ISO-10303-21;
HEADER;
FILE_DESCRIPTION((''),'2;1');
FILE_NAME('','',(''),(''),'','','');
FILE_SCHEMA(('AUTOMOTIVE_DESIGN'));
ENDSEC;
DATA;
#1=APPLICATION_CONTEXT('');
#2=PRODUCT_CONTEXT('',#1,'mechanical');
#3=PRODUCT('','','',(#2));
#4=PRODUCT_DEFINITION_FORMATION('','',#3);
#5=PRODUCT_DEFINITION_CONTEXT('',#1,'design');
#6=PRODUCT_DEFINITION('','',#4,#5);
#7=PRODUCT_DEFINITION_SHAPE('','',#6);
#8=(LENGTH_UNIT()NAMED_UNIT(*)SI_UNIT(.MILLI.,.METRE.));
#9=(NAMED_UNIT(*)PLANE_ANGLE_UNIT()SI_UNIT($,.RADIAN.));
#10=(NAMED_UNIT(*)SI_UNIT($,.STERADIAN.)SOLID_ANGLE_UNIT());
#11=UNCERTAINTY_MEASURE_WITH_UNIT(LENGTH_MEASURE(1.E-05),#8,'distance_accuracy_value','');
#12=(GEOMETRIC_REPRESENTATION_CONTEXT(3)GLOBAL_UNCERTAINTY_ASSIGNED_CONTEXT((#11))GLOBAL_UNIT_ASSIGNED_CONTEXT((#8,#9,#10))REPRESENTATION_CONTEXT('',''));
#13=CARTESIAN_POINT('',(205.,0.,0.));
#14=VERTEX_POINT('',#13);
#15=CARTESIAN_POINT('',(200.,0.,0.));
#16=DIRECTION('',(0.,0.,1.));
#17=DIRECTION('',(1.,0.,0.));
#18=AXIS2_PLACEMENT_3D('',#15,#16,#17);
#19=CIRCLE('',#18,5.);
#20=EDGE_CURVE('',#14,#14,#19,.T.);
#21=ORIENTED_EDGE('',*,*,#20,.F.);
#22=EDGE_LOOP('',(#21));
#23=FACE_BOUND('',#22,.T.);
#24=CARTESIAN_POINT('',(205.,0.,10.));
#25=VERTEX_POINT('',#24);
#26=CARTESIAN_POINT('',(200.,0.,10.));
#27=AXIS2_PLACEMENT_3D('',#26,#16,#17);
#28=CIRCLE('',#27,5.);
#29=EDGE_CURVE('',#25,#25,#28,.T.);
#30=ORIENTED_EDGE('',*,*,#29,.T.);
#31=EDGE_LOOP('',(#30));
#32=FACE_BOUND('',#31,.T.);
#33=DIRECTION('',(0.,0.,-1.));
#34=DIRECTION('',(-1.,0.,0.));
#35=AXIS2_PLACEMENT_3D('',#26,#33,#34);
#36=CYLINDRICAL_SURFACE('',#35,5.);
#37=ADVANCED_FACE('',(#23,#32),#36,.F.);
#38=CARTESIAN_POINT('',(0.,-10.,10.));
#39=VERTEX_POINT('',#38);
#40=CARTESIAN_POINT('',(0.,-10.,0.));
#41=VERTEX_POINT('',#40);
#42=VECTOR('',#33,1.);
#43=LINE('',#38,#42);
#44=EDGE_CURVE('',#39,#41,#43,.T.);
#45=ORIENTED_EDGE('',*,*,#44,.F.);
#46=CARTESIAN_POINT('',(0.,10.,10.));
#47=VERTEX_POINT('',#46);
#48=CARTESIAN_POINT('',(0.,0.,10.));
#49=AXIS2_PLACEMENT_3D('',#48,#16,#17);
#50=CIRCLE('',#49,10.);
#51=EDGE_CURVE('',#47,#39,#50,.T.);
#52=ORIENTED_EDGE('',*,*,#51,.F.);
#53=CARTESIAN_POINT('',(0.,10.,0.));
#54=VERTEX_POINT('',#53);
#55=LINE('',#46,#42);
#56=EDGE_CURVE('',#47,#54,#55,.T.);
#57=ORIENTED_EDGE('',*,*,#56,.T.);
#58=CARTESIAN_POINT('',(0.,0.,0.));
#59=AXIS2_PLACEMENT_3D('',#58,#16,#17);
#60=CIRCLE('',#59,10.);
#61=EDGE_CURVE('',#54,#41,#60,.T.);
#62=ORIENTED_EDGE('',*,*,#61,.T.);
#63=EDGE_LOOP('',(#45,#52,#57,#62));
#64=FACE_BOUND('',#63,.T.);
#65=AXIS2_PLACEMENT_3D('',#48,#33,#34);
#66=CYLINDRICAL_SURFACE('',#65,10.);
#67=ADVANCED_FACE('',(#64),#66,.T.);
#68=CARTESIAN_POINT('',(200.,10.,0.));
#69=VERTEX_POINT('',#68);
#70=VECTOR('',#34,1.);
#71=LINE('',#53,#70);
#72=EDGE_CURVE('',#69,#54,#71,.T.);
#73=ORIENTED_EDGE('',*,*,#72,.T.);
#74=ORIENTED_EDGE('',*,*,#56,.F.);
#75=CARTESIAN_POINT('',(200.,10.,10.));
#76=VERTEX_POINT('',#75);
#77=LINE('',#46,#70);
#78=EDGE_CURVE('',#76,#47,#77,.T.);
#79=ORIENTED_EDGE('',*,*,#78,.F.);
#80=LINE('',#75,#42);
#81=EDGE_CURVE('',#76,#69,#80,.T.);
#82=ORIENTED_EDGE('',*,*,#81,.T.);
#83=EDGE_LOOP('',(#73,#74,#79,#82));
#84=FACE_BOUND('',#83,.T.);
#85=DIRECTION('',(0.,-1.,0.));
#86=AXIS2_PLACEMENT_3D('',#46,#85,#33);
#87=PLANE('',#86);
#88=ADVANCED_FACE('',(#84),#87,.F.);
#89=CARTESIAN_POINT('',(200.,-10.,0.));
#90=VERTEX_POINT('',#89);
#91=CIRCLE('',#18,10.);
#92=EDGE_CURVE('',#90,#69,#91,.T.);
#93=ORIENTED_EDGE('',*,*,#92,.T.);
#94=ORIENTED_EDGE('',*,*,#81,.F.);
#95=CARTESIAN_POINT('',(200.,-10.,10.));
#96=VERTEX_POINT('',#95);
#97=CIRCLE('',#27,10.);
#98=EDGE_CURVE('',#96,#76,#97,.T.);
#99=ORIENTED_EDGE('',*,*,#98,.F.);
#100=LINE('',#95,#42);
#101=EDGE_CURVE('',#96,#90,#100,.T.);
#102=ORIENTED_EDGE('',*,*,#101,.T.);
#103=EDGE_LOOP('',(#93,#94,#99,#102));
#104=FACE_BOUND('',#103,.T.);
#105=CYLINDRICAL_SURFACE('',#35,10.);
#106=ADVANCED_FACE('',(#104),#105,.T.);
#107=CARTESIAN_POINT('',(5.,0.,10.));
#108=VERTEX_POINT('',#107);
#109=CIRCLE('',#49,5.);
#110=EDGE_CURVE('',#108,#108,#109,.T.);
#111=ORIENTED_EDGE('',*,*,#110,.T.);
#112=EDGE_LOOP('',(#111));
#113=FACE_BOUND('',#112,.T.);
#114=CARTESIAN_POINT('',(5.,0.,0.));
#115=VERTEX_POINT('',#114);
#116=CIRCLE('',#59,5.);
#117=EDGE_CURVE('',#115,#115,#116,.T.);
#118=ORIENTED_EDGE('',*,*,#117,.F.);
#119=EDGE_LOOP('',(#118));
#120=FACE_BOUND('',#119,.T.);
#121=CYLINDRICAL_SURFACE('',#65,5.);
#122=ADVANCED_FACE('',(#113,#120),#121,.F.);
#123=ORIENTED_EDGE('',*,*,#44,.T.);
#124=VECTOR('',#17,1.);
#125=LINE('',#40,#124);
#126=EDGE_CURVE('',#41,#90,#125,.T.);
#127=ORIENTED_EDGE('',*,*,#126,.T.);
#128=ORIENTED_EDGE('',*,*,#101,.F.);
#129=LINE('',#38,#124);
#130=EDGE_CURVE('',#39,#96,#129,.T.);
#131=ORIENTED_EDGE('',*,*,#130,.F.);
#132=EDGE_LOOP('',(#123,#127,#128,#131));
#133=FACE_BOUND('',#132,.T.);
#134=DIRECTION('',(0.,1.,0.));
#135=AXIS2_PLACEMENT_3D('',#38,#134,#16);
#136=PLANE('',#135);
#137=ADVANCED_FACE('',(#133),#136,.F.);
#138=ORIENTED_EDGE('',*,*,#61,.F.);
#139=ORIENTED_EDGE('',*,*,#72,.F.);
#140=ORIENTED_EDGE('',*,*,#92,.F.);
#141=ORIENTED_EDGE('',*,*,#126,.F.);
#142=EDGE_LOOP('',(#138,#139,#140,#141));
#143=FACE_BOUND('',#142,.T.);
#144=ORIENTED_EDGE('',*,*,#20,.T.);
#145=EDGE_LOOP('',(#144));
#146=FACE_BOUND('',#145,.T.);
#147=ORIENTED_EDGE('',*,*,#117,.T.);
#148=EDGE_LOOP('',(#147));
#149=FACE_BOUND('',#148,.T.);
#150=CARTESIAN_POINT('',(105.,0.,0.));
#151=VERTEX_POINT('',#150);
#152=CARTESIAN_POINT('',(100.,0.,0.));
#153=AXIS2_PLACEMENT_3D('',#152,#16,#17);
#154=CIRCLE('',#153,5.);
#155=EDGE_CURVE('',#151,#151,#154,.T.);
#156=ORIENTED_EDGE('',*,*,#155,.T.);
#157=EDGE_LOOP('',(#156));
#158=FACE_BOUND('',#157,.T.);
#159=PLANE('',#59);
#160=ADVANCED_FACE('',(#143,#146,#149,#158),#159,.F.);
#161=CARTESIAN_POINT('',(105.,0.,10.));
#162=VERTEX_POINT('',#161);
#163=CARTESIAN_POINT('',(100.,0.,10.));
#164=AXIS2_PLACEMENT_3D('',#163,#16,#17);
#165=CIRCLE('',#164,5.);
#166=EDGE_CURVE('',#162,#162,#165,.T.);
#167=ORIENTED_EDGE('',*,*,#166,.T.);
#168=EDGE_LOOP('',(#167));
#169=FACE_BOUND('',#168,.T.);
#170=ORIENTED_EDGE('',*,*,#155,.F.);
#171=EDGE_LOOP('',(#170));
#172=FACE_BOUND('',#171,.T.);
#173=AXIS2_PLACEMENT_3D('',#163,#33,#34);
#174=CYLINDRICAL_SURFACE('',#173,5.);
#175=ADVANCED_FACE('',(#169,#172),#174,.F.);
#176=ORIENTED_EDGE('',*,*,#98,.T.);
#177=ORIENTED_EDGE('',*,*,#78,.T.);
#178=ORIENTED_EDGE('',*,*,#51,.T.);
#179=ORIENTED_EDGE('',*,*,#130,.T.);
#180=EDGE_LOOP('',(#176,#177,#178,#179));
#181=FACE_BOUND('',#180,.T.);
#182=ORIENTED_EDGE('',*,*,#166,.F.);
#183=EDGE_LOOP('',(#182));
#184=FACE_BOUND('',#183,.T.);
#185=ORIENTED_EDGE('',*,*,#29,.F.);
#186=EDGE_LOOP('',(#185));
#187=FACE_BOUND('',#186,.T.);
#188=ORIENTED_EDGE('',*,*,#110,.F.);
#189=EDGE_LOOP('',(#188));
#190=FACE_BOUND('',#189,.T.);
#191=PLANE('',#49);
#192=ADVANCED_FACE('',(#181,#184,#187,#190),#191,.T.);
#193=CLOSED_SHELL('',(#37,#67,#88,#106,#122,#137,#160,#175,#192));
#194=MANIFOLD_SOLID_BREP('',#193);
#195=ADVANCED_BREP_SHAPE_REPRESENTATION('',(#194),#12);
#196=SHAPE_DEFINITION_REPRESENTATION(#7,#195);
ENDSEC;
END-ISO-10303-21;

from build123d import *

# Parameters (mm, degrees)
SKETCH_2_R      = 5
EXTRUDE_1_DEPTH = 10


with BuildPart() as part:
    # 草图2 → 凸台-拉伸1 (new body)
    with BuildSketch(Plane.XY):
        with BuildLine():
            Line((0, 10), (200, 10))
            ThreePointArc((200, 10), (210, 0), (200, -10))
            Line((200, -10), (0, -10))
            ThreePointArc((0, -10), (-10, 0), (0, 10))
        make_face()
        Circle(SKETCH_2_R, mode=Mode.SUBTRACT)
        with Locations((200, 0)):
            Circle(SKETCH_2_R, mode=Mode.SUBTRACT)
        with Locations((100, 0)):
            Circle(SKETCH_2_R, mode=Mode.SUBTRACT)
    extrude(amount=EXTRUDE_1_DEPTH)


solid = part.part
